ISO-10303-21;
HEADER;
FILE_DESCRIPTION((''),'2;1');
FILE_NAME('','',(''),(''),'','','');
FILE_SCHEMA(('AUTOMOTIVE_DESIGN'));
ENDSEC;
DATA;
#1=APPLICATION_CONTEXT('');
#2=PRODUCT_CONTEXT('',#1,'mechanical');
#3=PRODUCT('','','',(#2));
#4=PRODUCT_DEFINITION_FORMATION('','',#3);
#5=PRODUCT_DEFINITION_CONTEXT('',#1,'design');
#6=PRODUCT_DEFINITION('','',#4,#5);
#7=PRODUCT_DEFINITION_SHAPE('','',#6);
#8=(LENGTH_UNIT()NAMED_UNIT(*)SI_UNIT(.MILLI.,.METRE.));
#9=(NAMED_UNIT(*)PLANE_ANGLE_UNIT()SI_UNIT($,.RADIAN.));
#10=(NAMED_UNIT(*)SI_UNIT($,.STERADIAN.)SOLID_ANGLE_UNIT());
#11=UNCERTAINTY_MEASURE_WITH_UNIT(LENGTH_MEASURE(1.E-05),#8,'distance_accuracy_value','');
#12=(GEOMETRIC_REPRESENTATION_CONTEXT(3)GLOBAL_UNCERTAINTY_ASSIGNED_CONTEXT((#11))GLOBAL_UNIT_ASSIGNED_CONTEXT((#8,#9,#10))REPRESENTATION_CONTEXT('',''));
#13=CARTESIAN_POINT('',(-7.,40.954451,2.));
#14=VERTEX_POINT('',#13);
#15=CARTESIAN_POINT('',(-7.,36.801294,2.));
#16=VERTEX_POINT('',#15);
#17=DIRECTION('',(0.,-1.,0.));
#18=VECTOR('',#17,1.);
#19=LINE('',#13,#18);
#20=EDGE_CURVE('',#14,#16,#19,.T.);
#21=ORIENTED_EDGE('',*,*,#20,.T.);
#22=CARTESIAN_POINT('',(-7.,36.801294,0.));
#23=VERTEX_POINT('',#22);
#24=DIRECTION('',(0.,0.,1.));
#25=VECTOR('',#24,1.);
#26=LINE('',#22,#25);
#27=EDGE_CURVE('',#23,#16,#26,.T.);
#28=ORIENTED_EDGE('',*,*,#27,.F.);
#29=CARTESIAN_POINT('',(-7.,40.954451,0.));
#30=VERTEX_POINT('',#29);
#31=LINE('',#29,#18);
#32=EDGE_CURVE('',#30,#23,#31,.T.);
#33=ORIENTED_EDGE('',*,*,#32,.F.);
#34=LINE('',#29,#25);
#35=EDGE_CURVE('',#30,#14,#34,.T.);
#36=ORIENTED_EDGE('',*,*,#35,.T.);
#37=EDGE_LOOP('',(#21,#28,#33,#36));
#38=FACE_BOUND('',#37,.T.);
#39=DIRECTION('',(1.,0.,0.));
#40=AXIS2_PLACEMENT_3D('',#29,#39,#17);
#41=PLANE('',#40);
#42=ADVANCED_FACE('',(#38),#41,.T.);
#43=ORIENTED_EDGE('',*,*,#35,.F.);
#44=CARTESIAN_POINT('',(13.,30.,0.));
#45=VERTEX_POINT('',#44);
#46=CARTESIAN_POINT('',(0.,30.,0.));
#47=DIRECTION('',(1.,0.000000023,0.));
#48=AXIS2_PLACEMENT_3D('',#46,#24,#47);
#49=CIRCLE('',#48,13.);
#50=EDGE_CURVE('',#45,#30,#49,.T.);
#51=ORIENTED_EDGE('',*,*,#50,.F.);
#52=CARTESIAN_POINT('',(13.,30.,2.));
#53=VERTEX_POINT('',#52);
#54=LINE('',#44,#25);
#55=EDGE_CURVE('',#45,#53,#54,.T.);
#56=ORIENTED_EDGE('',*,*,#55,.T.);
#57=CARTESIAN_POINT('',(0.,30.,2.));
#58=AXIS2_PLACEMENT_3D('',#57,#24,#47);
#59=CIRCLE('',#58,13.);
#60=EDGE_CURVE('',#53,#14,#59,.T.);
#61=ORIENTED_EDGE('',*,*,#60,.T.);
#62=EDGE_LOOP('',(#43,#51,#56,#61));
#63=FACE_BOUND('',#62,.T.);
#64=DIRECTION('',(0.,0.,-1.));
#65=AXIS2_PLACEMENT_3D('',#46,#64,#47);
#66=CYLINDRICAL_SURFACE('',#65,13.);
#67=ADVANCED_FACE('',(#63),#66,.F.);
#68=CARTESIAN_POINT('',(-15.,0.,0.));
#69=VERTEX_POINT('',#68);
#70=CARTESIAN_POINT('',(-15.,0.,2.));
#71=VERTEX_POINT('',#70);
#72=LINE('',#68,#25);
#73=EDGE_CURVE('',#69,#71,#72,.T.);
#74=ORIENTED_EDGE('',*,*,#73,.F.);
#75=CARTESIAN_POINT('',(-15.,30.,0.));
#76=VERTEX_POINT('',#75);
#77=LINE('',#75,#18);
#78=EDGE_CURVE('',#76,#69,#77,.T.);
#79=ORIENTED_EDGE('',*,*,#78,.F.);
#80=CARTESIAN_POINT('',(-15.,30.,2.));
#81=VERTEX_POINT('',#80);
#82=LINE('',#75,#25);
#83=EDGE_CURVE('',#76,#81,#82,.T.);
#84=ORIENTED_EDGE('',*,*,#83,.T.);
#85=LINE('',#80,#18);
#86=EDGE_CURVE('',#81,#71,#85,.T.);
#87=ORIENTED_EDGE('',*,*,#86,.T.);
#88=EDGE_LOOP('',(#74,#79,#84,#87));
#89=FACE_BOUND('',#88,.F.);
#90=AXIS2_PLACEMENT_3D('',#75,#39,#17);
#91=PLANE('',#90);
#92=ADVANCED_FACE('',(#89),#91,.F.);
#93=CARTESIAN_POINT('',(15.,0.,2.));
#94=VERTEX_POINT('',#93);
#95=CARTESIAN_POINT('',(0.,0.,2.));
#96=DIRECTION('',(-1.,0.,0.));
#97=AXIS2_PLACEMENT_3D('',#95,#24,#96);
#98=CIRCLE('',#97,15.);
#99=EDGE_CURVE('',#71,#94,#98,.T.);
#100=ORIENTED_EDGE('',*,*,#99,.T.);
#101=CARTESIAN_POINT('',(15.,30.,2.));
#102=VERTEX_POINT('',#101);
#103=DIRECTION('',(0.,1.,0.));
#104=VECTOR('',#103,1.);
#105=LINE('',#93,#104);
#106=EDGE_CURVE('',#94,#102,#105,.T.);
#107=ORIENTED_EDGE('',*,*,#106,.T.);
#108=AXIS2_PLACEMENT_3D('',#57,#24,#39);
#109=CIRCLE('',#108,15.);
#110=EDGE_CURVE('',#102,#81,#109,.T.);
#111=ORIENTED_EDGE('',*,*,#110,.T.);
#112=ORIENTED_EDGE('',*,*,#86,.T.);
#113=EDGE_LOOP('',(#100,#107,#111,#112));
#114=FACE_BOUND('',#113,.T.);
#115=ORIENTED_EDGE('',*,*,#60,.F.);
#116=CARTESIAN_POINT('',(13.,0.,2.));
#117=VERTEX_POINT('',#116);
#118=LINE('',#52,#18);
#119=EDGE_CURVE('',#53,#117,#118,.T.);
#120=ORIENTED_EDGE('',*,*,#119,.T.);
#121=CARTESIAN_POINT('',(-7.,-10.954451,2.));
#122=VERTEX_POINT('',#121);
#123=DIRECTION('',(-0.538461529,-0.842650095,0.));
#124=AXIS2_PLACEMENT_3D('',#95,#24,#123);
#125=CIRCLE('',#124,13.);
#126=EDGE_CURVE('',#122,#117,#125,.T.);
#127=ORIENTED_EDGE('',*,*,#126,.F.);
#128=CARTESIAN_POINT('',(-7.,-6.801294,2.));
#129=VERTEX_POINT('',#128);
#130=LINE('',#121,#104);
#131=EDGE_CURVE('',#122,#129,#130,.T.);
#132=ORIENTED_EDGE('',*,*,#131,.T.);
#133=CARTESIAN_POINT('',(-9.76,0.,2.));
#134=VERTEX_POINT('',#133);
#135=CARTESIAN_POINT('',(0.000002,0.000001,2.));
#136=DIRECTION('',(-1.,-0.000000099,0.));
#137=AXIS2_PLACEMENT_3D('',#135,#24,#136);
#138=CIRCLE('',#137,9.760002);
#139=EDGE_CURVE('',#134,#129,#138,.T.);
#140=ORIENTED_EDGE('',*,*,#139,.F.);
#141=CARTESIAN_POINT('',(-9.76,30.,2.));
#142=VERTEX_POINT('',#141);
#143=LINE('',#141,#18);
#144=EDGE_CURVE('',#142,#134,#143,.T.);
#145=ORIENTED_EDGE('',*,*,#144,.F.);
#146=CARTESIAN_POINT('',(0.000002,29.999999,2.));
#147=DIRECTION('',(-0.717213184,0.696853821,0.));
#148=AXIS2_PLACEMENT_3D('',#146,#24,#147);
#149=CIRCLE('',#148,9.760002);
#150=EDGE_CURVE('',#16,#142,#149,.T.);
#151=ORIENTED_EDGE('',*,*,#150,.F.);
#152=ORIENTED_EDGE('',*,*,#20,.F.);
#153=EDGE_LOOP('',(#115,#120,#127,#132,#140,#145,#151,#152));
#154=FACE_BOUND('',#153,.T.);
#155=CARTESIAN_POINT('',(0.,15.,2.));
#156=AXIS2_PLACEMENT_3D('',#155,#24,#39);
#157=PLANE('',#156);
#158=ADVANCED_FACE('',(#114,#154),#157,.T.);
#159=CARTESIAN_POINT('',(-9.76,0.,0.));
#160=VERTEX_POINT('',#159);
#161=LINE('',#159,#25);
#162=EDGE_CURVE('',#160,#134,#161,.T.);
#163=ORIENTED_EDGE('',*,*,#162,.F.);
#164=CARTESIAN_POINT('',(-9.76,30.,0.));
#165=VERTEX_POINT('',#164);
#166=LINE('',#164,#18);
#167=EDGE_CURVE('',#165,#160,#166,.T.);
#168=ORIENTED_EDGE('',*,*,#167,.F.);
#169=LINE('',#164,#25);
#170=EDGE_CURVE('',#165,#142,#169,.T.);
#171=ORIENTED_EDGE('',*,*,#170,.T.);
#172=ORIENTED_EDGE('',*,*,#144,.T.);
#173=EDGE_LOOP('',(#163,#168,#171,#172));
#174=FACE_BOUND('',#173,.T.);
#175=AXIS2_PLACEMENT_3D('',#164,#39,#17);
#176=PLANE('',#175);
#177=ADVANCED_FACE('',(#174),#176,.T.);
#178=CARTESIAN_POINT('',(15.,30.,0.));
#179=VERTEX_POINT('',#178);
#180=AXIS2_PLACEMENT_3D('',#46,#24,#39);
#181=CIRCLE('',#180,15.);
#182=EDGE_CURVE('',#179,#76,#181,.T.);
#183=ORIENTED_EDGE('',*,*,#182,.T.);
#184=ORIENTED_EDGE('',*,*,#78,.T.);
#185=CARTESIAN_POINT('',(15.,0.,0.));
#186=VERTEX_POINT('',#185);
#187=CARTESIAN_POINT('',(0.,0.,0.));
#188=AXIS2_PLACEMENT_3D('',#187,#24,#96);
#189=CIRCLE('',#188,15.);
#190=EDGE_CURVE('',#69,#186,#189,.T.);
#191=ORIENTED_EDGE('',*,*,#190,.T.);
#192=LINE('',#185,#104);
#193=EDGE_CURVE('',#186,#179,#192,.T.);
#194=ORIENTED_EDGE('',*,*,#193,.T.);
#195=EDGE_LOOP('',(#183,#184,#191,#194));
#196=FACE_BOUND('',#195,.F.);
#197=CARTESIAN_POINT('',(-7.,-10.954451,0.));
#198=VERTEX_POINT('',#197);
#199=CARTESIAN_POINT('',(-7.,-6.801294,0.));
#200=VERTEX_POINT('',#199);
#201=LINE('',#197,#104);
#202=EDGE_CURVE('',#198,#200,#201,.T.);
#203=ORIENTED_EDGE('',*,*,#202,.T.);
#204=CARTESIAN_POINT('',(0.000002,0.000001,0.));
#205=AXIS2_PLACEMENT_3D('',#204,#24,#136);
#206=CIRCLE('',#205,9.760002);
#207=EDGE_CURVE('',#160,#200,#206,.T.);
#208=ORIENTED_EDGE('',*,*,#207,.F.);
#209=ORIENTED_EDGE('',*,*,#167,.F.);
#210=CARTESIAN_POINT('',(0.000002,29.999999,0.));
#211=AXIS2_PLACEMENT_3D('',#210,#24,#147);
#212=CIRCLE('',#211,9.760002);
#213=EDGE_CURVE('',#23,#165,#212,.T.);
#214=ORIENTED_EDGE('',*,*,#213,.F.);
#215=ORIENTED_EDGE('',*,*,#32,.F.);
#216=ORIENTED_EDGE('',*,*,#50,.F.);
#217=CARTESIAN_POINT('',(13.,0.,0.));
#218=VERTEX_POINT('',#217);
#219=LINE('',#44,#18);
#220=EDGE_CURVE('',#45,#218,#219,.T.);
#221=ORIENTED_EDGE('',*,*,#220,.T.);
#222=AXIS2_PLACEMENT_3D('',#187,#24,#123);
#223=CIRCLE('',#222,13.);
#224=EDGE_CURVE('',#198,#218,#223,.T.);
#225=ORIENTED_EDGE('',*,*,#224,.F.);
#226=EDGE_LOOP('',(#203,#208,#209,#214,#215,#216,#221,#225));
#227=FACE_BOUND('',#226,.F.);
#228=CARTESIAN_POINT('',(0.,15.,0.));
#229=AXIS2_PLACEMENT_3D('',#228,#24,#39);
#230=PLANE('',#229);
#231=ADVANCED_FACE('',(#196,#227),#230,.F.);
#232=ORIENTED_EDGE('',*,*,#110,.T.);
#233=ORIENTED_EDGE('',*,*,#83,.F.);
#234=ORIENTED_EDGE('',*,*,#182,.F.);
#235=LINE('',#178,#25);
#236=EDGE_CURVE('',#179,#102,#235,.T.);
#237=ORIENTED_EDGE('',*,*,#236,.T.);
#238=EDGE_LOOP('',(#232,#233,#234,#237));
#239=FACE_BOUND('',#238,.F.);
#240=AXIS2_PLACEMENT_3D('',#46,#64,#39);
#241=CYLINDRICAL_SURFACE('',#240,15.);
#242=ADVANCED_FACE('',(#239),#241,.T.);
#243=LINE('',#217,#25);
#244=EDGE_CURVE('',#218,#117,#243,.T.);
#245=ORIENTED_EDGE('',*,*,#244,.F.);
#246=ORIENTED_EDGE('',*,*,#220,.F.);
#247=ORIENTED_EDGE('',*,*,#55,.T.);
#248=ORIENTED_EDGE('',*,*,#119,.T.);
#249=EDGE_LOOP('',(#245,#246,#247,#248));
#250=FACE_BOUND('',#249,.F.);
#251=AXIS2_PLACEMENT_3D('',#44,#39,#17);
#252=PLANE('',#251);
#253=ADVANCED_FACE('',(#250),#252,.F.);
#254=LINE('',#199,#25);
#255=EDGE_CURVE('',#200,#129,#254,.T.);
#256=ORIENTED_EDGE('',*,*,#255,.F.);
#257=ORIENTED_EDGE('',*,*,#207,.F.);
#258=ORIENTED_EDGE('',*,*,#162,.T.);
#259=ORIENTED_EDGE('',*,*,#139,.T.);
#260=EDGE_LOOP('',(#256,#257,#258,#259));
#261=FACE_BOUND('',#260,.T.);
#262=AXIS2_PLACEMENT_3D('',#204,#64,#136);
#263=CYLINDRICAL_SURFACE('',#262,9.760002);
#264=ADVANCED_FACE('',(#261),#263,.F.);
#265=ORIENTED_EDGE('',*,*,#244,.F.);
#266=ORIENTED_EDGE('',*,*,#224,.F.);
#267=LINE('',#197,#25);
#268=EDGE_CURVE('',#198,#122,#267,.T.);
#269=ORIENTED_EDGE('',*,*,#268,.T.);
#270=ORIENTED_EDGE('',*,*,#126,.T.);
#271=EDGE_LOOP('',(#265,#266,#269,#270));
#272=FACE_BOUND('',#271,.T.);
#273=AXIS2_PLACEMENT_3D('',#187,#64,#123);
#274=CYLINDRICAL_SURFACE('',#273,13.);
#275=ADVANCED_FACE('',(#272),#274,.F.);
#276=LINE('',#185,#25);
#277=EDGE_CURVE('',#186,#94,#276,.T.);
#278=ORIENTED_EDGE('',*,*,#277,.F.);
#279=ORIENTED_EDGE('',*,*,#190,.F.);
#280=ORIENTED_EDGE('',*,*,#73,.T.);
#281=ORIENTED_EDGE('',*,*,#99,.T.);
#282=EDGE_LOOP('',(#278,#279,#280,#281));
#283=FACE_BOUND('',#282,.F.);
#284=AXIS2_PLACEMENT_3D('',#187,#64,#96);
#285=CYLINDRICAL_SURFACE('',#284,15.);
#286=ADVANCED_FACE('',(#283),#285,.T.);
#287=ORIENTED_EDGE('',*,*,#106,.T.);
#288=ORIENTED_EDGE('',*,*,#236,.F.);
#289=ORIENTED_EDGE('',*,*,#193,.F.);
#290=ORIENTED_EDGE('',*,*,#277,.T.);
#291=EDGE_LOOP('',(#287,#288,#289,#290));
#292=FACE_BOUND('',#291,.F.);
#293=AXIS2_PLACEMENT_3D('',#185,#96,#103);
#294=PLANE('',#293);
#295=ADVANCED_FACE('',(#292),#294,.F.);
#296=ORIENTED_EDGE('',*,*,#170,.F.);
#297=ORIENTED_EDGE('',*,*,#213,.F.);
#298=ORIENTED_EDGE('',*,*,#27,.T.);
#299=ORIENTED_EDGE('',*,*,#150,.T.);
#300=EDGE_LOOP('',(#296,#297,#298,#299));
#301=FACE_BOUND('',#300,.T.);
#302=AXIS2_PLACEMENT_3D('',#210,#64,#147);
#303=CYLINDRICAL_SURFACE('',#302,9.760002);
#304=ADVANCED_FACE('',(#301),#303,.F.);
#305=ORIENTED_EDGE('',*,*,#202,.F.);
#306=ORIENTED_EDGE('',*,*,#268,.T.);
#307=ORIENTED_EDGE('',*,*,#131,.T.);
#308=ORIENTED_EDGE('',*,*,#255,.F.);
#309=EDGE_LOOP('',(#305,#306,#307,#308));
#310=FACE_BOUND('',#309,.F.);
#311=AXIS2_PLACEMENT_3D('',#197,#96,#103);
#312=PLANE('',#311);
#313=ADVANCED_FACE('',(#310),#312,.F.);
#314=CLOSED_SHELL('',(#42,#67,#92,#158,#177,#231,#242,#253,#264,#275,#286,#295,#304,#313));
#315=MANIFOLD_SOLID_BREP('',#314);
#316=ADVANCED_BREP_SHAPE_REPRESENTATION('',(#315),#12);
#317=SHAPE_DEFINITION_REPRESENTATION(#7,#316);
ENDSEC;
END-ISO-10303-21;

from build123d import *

# Parameters (mm, degrees)
PAD_DEPTH = 2


with BuildPart() as part:
    # Sketch → Pad (new body)
    with BuildSketch(Plane.XY):
        with BuildLine():
            ThreePointArc((-15, 0), (0, -15), (15, 0))
            Line((15, 0), (15, 30))
            ThreePointArc((15, 30), (0, 45), (-15, 30))
            Line((-15, 30), (-15, 0))
        make_face()
        with BuildLine():
            ThreePointArc((-7, -10.954451), (6.244998, -11.401754), (13, 0))
            Line((13, 30), (13, 0))
            ThreePointArc((13, 30), (6.244998, 41.401754), (-7, 40.954451))
            Line((-7, 40.954451), (-7, 36.801294))
            ThreePointArc((-7, 36.801294), (-9.043716, 33.669986), (-9.76, 30))
            Line((-9.76, 30), (-9.76, 0))
            ThreePointArc((-9.76, 0), (-9.043716, -3.669986), (-7, -6.801294))
            Line((-7, -10.954451), (-7, -6.801294))
        make_face(mode=Mode.SUBTRACT)
    extrude(amount=PAD_DEPTH)


solid = part.part
